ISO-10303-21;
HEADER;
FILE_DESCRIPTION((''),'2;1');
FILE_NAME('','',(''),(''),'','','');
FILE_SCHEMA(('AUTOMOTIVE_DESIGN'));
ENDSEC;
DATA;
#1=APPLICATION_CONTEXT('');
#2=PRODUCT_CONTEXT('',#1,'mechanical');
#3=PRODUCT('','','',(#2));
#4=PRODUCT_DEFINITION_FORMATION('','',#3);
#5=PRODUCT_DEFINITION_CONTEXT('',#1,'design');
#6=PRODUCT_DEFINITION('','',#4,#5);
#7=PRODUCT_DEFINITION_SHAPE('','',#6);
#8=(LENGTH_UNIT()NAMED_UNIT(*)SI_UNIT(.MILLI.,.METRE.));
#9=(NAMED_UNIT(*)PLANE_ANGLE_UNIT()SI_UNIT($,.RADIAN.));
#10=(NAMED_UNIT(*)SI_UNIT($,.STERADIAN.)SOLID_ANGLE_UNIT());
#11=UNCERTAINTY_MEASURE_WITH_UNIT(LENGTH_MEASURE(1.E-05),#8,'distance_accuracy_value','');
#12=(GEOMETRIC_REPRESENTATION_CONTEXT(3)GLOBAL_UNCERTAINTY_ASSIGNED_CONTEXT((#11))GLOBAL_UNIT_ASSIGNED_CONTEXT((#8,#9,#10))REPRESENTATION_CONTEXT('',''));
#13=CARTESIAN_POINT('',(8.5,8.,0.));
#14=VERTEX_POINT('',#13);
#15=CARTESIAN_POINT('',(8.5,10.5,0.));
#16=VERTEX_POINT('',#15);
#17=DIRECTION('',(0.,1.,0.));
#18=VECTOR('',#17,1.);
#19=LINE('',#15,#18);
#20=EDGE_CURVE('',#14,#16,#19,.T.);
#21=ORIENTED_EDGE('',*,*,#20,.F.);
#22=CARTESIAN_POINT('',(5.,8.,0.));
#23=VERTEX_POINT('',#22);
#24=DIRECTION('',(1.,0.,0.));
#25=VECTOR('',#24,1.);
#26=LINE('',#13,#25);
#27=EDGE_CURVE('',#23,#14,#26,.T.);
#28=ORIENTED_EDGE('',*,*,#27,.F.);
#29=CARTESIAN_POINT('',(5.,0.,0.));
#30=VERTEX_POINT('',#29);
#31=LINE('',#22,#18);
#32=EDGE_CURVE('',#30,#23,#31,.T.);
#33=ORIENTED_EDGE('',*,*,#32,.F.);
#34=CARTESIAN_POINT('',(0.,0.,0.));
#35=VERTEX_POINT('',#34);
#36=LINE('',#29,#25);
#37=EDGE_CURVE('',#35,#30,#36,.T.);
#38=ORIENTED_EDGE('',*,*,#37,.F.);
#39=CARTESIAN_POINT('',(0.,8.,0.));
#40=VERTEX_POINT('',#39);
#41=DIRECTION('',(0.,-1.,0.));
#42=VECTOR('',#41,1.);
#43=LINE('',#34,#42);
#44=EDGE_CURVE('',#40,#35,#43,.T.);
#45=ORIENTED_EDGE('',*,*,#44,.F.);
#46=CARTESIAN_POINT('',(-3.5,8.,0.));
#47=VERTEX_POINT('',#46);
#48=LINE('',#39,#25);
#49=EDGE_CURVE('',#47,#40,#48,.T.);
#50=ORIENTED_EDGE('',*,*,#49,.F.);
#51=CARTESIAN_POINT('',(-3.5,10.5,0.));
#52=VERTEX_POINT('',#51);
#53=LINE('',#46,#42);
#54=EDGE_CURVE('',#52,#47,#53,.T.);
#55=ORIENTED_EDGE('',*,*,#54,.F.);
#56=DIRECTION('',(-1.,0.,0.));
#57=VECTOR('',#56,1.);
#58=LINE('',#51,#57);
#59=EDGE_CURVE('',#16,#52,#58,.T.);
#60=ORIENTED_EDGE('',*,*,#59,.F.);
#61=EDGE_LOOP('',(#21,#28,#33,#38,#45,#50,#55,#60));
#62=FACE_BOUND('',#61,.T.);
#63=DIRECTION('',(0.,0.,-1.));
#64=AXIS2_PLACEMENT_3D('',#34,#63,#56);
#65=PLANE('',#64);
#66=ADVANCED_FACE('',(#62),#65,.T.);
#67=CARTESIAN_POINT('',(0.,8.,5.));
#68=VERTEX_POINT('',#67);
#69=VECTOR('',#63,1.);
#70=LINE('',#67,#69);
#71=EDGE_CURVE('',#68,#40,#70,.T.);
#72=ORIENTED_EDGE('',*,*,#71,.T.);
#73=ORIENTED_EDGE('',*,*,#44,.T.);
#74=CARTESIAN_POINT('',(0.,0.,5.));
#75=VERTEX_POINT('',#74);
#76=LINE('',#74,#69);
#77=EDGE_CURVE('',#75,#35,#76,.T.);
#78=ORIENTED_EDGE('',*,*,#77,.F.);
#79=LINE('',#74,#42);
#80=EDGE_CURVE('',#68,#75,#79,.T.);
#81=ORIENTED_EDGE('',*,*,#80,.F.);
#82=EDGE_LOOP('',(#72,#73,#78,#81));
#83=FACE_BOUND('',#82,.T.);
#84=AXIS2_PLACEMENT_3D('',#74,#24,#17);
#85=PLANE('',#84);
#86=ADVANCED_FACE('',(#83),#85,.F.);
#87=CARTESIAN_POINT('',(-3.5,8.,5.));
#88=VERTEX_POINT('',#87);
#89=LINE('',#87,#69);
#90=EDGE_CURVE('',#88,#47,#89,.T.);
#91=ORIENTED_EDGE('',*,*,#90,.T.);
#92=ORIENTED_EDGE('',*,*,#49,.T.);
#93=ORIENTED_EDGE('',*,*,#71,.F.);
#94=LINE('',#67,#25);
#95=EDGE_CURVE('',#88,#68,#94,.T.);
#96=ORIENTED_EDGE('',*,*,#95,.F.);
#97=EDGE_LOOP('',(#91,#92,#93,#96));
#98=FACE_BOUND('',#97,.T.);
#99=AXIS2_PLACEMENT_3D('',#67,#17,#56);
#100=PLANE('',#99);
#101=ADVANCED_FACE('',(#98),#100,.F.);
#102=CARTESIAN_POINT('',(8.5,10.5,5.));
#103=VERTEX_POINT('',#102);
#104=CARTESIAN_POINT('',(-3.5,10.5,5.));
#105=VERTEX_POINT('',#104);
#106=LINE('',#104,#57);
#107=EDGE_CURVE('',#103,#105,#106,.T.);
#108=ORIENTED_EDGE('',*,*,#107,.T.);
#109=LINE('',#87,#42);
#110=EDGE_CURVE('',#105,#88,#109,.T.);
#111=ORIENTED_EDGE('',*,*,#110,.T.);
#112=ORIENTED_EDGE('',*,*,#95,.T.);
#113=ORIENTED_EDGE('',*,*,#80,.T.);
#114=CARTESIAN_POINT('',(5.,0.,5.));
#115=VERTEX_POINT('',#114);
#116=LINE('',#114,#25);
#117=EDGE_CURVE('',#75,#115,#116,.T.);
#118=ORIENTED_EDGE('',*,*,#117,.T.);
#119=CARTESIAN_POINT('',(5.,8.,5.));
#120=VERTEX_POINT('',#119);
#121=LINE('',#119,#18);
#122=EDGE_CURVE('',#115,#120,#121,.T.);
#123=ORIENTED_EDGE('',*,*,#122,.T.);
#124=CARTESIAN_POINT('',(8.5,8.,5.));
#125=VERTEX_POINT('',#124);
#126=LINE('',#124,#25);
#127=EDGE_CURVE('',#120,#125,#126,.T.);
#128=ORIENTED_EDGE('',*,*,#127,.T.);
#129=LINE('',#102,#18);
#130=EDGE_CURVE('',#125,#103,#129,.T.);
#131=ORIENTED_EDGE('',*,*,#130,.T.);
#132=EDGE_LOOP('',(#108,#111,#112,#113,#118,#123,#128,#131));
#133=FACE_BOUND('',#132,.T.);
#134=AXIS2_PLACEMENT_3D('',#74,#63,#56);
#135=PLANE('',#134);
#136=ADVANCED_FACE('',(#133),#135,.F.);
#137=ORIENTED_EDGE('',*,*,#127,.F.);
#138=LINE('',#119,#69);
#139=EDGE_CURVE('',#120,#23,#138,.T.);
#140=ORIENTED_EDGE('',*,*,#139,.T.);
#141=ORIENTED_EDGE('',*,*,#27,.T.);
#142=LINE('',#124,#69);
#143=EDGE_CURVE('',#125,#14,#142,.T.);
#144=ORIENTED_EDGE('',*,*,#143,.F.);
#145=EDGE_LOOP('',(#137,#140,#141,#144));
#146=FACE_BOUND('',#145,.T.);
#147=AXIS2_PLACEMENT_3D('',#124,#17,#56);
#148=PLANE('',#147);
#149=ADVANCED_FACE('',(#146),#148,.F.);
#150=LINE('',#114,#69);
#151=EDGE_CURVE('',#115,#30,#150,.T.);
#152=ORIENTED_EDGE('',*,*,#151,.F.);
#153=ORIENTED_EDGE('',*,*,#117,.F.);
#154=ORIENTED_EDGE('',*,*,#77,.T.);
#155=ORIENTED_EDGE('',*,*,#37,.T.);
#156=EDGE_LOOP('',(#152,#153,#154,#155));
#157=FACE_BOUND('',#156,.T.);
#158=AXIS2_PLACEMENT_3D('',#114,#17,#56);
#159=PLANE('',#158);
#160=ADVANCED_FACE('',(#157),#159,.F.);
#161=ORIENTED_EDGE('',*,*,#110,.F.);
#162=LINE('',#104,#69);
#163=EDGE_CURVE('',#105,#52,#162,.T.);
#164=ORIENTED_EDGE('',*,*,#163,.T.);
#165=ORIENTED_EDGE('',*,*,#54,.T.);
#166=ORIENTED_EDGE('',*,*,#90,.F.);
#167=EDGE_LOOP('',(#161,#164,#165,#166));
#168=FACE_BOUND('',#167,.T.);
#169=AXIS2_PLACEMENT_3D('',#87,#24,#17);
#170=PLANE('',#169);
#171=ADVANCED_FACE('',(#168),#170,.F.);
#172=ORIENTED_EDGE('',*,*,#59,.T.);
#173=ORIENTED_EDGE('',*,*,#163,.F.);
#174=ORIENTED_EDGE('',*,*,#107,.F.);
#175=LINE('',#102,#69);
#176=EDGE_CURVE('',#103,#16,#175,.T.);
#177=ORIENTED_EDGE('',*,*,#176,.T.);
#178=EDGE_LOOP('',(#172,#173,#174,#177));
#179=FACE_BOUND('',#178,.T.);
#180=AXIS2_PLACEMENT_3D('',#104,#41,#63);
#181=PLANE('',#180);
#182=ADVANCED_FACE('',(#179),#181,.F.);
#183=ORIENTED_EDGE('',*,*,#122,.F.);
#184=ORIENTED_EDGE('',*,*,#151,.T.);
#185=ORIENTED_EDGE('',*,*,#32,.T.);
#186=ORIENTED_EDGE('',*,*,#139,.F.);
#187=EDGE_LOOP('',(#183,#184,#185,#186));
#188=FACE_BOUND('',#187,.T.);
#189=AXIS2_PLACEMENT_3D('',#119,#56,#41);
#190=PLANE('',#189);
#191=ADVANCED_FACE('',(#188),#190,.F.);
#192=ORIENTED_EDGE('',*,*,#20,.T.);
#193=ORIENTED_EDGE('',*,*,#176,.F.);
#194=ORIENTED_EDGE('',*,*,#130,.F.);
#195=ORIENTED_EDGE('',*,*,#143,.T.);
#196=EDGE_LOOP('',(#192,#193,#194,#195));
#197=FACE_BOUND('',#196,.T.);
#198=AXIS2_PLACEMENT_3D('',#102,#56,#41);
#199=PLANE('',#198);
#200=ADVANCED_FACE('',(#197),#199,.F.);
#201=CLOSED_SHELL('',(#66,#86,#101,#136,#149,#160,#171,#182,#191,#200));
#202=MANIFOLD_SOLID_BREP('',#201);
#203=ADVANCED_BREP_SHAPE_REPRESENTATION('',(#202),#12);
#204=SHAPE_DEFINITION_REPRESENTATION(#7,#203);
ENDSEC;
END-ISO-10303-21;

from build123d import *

# Parameters (mm, degrees)
BOSS_EXTRUDE1_DEPTH = 5


with BuildPart() as part:
    # Sketch1 → Boss-Extrude1 (new body)
    with BuildSketch(Plane.XY):
        Polygon((0, 0), (0, 8), (-3.5, 8), (-3.5, 10.5), (8.5, 10.5), (8.5, 8), (5, 8), (5, 0), align=None)
    extrude(amount=BOSS_EXTRUDE1_DEPTH)


solid = part.part
